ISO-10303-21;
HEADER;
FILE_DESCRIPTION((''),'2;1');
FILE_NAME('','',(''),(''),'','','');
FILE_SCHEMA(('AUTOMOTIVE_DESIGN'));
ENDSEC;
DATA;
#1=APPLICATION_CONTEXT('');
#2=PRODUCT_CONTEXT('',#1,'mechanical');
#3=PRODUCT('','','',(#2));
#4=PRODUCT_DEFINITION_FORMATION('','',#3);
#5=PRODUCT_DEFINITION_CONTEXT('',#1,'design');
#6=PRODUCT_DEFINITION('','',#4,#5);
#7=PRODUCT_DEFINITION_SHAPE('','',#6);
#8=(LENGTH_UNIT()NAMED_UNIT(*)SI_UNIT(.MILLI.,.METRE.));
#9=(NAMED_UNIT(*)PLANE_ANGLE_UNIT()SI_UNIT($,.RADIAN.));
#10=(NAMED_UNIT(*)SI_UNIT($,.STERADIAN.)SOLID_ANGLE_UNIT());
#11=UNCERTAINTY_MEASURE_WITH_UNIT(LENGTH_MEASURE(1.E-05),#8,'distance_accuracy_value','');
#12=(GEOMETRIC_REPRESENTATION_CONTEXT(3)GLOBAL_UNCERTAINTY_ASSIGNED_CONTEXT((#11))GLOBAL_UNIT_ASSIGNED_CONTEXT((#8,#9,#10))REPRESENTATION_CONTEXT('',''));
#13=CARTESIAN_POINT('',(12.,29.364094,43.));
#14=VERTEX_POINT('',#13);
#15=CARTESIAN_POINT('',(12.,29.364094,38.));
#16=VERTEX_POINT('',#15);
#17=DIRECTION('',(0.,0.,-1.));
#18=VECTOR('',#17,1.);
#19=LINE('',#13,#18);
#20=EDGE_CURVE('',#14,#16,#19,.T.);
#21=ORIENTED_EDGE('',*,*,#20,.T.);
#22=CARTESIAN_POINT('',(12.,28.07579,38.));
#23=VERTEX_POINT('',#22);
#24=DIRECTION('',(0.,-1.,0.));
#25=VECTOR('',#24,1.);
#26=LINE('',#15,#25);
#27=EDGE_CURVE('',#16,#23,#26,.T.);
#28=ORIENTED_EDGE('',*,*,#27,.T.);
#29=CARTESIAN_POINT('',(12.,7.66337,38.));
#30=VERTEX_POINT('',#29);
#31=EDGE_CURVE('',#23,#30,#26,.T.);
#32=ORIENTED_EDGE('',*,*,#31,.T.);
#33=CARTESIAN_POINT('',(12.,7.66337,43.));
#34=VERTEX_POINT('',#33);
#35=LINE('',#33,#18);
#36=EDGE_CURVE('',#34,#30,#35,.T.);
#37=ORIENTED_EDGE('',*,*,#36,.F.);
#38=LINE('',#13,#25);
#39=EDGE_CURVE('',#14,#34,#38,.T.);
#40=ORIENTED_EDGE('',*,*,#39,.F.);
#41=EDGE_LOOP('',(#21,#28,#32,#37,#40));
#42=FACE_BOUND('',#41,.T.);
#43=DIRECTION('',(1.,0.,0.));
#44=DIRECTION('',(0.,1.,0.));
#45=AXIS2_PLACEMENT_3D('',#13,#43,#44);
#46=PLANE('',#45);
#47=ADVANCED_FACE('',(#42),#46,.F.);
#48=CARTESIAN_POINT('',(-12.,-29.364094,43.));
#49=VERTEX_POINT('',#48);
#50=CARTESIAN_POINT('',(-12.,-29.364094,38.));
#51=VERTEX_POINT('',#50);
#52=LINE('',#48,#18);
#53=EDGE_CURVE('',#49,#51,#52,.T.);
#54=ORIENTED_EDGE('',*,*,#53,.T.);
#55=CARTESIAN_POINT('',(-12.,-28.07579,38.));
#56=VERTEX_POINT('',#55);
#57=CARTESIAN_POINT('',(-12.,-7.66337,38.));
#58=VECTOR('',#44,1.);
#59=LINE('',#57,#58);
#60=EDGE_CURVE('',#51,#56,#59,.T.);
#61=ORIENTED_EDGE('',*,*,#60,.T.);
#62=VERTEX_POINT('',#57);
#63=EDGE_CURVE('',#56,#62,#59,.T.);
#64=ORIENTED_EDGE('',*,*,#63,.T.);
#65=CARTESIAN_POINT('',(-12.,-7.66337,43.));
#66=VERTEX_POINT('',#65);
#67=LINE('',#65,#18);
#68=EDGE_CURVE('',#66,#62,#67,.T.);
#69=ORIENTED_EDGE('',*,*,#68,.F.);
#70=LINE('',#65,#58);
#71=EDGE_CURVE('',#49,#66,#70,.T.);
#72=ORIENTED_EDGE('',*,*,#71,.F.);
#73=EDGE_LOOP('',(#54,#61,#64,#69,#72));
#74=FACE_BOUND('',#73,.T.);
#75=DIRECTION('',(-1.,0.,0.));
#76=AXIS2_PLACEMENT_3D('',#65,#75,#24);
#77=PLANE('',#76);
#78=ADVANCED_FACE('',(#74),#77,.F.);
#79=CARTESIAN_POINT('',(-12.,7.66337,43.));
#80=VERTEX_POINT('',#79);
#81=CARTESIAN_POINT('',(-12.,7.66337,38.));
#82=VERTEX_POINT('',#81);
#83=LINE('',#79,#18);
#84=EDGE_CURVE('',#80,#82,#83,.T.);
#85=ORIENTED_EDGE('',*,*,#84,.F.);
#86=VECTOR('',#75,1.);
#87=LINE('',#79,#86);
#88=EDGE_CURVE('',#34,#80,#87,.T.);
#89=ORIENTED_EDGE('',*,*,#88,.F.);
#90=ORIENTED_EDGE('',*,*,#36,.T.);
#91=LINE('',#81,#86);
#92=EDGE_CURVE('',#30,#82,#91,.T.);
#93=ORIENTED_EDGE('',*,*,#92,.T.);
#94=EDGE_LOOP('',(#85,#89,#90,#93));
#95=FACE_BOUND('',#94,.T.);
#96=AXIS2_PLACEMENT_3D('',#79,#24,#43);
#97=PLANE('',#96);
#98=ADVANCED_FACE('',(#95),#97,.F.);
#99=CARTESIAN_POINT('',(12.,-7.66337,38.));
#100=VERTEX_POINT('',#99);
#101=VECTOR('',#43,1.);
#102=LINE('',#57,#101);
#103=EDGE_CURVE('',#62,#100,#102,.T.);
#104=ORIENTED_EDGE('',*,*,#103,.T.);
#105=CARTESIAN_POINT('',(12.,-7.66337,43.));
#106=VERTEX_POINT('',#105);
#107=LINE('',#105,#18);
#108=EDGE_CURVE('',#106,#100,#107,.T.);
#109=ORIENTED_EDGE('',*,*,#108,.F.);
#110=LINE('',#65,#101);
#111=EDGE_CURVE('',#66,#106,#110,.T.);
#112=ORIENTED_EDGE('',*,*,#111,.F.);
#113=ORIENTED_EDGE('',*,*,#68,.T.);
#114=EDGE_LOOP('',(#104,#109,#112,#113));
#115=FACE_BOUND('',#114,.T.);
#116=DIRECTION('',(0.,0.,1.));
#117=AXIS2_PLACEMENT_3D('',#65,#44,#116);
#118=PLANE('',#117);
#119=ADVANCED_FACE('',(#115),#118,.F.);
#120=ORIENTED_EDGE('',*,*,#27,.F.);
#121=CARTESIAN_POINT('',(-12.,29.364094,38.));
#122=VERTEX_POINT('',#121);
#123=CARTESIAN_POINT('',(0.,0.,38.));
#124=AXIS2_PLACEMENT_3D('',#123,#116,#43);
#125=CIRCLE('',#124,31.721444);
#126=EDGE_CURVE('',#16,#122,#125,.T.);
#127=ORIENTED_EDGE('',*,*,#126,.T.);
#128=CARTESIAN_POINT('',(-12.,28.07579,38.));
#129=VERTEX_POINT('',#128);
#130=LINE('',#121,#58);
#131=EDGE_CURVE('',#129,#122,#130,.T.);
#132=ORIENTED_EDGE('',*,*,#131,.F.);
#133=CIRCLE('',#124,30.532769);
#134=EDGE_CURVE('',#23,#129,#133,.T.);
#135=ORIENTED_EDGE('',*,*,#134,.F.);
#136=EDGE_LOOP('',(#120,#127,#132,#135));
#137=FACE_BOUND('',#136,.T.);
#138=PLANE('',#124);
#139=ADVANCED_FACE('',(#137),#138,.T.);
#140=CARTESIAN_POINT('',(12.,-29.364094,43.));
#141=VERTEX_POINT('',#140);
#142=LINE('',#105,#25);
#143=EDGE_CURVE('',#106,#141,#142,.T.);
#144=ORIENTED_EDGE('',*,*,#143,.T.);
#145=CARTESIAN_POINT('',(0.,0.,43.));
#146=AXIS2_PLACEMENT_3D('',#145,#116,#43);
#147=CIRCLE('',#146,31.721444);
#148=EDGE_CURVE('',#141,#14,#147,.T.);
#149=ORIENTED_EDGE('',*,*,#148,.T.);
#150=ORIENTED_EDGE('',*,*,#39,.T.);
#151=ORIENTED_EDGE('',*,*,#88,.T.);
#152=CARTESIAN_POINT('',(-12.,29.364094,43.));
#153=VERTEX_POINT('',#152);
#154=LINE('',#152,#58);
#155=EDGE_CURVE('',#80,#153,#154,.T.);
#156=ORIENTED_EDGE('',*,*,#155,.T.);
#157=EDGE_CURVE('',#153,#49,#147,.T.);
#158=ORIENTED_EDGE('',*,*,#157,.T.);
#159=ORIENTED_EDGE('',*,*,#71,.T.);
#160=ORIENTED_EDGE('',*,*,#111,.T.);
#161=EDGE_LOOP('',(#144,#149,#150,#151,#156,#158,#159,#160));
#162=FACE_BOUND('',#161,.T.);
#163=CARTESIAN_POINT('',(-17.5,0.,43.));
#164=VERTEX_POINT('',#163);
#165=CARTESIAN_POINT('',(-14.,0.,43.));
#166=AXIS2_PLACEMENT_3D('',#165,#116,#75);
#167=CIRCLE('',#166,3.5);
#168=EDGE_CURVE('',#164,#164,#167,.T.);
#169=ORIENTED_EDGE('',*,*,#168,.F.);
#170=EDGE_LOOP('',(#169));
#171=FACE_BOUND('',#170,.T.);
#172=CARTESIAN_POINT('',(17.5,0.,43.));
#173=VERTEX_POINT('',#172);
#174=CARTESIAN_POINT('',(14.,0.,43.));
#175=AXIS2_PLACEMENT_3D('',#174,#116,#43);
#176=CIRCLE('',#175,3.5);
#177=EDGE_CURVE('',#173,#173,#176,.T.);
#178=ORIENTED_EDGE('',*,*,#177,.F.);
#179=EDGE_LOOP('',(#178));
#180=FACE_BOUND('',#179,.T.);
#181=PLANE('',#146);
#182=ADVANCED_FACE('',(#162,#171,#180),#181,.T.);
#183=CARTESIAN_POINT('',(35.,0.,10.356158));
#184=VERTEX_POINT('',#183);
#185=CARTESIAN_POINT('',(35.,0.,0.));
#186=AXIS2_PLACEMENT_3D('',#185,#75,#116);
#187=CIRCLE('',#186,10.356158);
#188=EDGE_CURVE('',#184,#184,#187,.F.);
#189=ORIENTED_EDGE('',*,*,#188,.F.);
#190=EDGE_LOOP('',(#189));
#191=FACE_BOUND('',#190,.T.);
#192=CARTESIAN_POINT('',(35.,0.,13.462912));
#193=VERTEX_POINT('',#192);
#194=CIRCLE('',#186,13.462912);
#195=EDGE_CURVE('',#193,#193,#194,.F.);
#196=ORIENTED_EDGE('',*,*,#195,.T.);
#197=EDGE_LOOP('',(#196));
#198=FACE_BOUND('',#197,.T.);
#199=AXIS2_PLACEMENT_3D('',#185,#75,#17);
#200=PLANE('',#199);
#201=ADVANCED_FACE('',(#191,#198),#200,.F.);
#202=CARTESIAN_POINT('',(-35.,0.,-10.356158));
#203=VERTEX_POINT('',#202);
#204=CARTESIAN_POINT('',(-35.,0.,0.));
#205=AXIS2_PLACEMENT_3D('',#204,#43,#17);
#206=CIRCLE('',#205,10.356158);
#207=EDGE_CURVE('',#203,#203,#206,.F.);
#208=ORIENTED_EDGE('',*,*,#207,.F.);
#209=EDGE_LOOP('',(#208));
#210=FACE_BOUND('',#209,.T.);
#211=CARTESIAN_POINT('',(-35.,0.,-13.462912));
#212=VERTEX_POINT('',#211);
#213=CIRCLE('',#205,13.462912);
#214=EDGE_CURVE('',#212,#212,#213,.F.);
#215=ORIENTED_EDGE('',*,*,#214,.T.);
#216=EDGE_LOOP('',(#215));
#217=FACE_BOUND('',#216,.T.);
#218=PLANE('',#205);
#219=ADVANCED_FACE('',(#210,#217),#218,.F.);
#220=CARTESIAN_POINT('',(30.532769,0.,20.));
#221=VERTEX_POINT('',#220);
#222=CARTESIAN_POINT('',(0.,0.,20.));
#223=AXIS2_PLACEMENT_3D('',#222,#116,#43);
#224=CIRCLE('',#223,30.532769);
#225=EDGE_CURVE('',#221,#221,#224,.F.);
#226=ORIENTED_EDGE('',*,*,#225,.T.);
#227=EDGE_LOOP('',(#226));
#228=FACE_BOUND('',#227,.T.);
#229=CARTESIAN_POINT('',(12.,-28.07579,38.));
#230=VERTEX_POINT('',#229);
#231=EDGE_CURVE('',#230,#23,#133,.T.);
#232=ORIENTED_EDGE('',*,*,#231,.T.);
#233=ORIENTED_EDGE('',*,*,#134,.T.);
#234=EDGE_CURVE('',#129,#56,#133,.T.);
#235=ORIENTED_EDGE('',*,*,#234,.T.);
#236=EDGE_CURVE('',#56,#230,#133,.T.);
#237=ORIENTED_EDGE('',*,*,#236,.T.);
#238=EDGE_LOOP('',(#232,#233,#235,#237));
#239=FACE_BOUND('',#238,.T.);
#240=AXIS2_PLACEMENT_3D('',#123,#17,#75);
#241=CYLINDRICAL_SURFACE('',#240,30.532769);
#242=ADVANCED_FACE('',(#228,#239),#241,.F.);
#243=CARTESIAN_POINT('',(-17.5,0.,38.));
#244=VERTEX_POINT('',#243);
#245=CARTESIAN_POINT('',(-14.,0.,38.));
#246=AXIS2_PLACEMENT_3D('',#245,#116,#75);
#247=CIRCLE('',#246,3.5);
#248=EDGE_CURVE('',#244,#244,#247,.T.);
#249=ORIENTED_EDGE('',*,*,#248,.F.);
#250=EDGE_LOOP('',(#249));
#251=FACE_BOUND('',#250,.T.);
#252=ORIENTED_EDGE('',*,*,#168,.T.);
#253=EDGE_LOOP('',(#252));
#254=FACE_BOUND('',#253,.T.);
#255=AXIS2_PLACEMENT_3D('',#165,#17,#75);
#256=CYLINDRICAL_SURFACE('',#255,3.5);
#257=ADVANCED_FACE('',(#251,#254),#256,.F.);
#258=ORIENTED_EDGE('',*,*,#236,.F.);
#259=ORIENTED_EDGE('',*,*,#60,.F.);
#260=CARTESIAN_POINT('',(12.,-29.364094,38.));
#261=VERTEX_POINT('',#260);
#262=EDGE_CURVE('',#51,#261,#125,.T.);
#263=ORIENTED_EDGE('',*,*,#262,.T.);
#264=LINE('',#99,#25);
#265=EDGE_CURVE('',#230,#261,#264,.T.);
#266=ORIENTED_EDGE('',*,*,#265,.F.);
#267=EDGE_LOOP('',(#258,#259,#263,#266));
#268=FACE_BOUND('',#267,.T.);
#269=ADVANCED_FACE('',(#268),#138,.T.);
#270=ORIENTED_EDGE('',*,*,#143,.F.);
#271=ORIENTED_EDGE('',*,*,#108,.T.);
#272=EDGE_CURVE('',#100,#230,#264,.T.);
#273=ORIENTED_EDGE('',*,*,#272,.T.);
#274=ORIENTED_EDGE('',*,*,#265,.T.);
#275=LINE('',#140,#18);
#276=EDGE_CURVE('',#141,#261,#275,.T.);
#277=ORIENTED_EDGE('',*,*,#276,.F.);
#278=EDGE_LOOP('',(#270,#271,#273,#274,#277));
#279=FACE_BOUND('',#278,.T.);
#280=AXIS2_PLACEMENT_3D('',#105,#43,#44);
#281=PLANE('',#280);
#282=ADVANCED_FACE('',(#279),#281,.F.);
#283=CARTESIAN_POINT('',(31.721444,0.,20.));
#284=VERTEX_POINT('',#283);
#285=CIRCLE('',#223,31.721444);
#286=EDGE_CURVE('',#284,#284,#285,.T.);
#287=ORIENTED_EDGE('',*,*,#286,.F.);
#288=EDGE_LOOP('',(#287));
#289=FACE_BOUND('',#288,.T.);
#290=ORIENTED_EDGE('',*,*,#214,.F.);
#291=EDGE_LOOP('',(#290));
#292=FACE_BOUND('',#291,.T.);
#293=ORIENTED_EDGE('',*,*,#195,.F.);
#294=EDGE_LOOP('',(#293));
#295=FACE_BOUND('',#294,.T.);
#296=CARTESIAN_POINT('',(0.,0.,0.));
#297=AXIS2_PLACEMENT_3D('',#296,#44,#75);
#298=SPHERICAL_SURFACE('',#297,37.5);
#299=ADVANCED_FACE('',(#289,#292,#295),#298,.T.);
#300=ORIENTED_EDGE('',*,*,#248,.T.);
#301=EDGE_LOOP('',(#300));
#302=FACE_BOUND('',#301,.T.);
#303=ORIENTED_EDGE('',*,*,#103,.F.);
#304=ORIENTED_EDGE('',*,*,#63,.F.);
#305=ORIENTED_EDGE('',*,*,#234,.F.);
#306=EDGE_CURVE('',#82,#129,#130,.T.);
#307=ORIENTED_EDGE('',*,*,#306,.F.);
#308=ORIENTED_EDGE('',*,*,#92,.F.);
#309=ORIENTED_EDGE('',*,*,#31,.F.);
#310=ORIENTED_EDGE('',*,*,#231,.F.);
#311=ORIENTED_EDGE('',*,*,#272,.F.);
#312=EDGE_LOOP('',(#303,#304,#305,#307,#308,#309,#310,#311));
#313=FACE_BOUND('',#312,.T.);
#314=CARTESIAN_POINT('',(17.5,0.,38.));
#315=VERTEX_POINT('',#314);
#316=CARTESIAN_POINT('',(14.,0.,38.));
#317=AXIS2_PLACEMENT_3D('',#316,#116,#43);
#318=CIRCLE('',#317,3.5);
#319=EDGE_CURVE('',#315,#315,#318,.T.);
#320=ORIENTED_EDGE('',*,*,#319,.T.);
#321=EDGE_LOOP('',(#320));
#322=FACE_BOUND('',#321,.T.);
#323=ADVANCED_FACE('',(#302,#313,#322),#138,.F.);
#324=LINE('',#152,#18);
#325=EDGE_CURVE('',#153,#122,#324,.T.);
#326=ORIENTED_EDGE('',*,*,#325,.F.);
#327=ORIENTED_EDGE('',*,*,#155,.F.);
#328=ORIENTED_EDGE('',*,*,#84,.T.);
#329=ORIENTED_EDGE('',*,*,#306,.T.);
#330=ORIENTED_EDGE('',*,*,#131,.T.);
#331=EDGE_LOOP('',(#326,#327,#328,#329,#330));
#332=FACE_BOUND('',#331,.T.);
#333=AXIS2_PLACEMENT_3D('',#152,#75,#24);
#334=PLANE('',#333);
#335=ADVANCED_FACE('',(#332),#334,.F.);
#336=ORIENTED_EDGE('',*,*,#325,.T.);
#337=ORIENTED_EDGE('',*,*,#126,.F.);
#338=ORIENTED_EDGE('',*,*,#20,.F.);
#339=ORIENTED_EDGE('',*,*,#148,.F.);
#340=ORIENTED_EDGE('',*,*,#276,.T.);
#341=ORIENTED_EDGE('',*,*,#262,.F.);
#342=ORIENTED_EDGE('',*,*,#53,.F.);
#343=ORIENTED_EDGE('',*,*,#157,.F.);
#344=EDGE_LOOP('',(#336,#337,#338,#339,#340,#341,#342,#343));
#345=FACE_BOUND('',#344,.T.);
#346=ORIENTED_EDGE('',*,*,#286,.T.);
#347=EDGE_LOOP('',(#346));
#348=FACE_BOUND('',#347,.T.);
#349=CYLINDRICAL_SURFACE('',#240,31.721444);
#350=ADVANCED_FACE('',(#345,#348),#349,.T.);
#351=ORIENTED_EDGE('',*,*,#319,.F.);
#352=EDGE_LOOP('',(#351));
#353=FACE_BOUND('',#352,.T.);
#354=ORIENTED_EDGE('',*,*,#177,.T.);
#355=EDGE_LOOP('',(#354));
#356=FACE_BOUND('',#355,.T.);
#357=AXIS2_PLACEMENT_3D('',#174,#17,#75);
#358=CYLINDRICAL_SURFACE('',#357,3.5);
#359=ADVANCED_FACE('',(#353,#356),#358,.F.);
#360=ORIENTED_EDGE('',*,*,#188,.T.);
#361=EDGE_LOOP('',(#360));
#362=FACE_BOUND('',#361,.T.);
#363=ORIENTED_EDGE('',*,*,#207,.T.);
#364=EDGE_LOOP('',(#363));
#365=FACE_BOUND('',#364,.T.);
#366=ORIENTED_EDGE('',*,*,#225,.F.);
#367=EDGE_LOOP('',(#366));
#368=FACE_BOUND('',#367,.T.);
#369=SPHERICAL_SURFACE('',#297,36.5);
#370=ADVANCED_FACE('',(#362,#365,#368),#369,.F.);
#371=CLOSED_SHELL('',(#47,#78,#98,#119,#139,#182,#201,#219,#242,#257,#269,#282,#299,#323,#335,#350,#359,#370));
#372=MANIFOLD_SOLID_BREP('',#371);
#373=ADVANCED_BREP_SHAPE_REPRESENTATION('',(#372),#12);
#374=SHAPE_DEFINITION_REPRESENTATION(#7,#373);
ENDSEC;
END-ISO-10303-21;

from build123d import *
from build123d.topology import SkipClean

# Parameters (mm, degrees)
CUT_EXTRUDE1_REACH  = 80.222
SKETCH2_R           = 37.5
CUT_EXTRUDE2_REACH  = 91.826
SKETCH4_R           = 37.5
SKETCH5_R           = 31.721443851
SKETCH5_R_2         = 30.532769282
BOSS_EXTRUDE1_DEPTH = 18
SKETCH6_R           = 3.5
BOSS_EXTRUDE2_DEPTH = 5


with BuildPart() as part:
    # Sketch1 → Revolve-Thin4 (revolve)
    with BuildSketch(Plane.XY):
        with BuildLine():
            ThreePointArc((0, -37.5), (37.5, 0), (0, 37.5))
            Line((0, 37.5), (0, 36.5))
            ThreePointArc((0, 36.5), (36.5, 0), (0, -36.5))
            Line((0, -36.5), (0, -37.5))
        make_face()
    revolve(axis=Axis((0, 37.5, 0), (0, -1, 0)))

    # Sketch2 → Cut-Extrude1 (cut, up to next)
    with BuildSketch(Plane.XY.offset(20), mode=Mode.PRIVATE) as cut_extrude1_sk1:
        Circle(SKETCH2_R)
    cut_extrude1_tool1 = extrude(cut_extrude1_sk1.sketch, amount=CUT_EXTRUDE1_REACH, mode=Mode.PRIVATE) & part.part
    add(cut_extrude1_tool1.solids().sort_by_distance((0, 0, 20))[0], mode=Mode.SUBTRACT)

    # Sketch4 → Cut-Extrude2 (cut, up to next)
    with BuildSketch(Plane(origin=(-35, 0, 0), x_dir=(0, 0, -1), z_dir=(1, 0, 0)), mode=Mode.PRIVATE) as cut_extrude2_sk1:
        Circle(SKETCH4_R)
    cut_extrude2_tool1 = extrude(cut_extrude2_sk1.sketch, amount=-CUT_EXTRUDE2_REACH, mode=Mode.PRIVATE) & part.part
    cut_extrude2 = cut_extrude2_tool1.solids().sort_by_distance((-35, 0, 0))[0]
    add(cut_extrude2, mode=Mode.SUBTRACT)

    # Mirror1: Cut-Extrude2 across plane
    add(cut_extrude2.mirror(Plane(origin=(0, 0, 0), x_dir=(0, 0, 1), z_dir=(1, 0, 0))), mode=Mode.SUBTRACT)

    # Sketch5 → Boss-Extrude1 (add)
    with SkipClean():  # the faces are left unmerged after this step: merging them gives an invalid solid
        with BuildSketch(Plane.XY.offset(20)):
            Circle(SKETCH5_R)
            Circle(SKETCH5_R_2, mode=Mode.SUBTRACT)
        extrude(amount=BOSS_EXTRUDE1_DEPTH)

    # Sketch6 → Boss-Extrude2 (add)
    with SkipClean():  # the faces are left unmerged after this step: merging them gives an invalid solid
        with BuildSketch(Plane.XY.offset(38)):
            with BuildLine():
                Line((-12, 29.36409372), (-12, 7.663369949))
                Line((-12, 7.663369949), (12, 7.663369949))
                Line((12, 7.663369949), (12, 29.36409372))
                ThreePointArc((12, 29.36409372), (31.721443851, 0), (12, -29.36409372))
                Line((12, -29.36409372), (12, -7.663369949))
                Line((12, -7.663369949), (-12, -7.663369949))
                Line((-12, -7.663369949), (-12, -29.36409372))
                ThreePointArc((-12, -29.36409372), (-31.721443851, 0), (-12, 29.36409372))
            make_face()
            with Locations((14, 0)):
                Circle(SKETCH6_R, mode=Mode.SUBTRACT)
            with Locations(Location((-14, 0, 0), (0, 0, 180))):
                Circle(SKETCH6_R, mode=Mode.SUBTRACT)
        extrude(amount=BOSS_EXTRUDE2_DEPTH)


solid = part.part
